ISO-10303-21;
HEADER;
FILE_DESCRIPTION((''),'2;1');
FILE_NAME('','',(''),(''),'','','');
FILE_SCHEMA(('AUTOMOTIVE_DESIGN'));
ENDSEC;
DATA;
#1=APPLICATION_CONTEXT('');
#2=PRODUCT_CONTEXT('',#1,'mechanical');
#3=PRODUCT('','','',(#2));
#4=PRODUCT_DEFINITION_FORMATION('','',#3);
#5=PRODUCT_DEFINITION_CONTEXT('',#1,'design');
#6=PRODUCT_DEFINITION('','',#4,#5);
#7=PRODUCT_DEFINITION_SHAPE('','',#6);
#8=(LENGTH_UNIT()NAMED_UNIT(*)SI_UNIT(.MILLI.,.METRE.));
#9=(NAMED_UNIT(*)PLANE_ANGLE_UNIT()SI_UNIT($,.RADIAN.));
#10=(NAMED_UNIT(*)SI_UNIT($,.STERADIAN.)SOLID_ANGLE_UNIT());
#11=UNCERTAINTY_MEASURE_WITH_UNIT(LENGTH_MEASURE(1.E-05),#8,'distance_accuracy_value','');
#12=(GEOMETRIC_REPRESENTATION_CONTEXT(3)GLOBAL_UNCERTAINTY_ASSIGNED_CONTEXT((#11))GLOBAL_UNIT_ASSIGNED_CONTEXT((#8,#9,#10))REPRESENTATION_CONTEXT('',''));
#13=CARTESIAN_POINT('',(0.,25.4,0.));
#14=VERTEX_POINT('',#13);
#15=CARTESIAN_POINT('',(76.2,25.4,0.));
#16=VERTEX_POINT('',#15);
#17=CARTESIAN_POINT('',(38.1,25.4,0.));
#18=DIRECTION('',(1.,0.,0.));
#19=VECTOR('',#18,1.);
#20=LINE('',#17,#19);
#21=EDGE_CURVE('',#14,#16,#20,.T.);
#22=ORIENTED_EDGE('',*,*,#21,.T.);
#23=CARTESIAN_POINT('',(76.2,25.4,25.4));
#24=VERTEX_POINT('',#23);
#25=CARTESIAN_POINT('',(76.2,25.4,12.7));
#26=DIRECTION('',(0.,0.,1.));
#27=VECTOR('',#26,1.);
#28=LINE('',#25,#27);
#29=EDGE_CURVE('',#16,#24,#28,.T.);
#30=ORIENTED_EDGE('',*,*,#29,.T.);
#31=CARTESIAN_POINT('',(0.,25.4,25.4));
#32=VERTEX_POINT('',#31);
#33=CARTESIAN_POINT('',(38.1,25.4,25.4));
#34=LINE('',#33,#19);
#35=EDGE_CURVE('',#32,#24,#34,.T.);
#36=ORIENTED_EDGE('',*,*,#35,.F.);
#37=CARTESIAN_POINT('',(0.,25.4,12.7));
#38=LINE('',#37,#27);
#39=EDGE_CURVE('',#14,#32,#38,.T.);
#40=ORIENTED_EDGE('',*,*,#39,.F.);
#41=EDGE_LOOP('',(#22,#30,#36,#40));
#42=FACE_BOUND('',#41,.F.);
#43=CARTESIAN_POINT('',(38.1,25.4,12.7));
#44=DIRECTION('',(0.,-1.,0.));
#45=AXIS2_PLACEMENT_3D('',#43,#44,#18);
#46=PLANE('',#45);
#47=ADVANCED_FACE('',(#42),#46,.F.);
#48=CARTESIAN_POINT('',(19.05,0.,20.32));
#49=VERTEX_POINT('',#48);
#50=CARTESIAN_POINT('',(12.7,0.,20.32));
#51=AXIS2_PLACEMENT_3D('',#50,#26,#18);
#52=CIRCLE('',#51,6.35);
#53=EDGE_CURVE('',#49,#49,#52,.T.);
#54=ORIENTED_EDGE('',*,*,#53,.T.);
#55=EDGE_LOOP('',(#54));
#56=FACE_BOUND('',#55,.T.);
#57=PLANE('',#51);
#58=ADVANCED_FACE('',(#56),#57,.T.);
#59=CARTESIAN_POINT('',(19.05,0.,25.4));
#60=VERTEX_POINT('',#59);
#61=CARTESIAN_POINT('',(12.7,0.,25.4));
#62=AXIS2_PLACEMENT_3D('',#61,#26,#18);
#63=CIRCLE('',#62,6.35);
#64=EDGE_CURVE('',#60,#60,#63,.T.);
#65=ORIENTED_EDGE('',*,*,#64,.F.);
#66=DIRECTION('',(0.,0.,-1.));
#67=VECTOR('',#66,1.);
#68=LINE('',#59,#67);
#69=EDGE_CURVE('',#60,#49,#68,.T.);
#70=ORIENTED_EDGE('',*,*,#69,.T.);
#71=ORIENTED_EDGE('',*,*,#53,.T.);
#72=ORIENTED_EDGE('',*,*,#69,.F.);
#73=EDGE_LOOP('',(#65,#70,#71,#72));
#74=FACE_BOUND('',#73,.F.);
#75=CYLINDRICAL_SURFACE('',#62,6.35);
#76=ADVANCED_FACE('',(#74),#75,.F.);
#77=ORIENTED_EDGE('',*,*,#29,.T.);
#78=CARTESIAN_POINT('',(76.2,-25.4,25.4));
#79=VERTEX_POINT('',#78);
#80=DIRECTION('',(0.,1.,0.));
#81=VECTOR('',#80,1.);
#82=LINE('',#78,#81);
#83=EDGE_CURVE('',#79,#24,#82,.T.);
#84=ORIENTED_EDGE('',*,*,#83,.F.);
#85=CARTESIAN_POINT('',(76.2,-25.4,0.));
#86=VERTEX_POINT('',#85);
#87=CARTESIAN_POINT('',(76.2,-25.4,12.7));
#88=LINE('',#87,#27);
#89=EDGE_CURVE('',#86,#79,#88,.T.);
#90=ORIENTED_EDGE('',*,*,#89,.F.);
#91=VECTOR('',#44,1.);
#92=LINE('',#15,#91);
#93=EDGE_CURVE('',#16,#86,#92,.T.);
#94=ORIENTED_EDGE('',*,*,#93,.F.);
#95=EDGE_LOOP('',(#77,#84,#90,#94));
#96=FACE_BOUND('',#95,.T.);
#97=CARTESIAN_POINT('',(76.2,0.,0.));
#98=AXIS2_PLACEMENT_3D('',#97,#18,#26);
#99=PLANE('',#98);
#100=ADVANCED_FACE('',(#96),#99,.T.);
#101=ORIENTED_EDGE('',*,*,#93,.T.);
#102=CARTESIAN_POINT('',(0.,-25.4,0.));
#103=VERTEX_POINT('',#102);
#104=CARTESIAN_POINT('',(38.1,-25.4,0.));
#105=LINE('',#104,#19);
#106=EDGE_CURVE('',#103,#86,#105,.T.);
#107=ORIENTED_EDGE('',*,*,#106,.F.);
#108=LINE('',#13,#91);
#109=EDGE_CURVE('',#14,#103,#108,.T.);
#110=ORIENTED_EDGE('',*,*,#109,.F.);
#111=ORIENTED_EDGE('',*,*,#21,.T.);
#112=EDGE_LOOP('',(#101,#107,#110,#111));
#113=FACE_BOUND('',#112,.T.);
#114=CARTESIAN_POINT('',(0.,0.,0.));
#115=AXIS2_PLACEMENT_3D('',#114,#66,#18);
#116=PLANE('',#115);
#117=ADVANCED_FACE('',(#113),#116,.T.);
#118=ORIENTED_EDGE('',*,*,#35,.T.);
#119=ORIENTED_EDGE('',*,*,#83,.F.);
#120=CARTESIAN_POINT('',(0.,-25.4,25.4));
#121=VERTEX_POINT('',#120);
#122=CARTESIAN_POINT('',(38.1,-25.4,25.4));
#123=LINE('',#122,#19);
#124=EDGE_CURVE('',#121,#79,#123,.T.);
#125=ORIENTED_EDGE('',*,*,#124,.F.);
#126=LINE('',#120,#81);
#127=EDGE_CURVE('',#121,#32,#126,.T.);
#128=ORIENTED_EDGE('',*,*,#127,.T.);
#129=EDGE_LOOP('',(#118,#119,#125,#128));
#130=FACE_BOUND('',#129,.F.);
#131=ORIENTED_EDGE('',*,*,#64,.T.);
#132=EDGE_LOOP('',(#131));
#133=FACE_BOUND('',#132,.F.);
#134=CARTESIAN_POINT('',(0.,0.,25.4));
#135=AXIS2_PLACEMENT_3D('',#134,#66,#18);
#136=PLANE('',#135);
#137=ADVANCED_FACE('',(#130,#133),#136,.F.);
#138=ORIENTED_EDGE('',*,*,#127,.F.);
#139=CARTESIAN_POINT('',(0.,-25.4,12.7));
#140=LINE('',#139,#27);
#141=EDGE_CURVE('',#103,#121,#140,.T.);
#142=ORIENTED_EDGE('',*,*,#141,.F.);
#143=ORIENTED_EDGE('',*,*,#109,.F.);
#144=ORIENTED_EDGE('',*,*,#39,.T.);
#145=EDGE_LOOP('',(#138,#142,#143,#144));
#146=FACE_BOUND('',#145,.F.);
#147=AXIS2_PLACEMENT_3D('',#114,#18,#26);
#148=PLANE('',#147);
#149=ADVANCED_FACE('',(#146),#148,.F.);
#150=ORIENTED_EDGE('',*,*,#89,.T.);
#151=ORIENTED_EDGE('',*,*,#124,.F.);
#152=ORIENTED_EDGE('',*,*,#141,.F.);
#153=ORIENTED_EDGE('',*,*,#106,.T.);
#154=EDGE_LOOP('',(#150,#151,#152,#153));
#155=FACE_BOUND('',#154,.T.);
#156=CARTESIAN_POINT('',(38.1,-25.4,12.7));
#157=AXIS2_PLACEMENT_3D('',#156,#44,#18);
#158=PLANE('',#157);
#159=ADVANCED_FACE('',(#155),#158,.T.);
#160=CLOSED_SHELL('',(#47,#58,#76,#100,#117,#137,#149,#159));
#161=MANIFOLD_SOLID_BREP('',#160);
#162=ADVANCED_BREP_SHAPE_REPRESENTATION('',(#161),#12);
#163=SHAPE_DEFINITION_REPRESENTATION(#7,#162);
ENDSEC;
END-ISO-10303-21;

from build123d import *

# Parameters (mm, degrees)
F0_W     = 76.2
F0_H     = 25.4
F1_DEPTH = 25.4
F2_R     = 6.35
F3_DEPTH = 5.08


with BuildPart() as f1:
    # F0 (on Front) → F1 (new body, symmetric)
    with BuildSketch(Plane.XZ):
        with Locations((38.1, 12.7)):
            Rectangle(F0_W, F0_H)
    extrude(amount=F1_DEPTH, both=True)

    # F2 (on face) → F3 (cut)
    with BuildSketch(Plane.XY.offset(25.4)):
        with Locations((12.7, 0)):
            Circle(F2_R)
    extrude(amount=-F3_DEPTH, mode=Mode.SUBTRACT)


solid = f1.part
